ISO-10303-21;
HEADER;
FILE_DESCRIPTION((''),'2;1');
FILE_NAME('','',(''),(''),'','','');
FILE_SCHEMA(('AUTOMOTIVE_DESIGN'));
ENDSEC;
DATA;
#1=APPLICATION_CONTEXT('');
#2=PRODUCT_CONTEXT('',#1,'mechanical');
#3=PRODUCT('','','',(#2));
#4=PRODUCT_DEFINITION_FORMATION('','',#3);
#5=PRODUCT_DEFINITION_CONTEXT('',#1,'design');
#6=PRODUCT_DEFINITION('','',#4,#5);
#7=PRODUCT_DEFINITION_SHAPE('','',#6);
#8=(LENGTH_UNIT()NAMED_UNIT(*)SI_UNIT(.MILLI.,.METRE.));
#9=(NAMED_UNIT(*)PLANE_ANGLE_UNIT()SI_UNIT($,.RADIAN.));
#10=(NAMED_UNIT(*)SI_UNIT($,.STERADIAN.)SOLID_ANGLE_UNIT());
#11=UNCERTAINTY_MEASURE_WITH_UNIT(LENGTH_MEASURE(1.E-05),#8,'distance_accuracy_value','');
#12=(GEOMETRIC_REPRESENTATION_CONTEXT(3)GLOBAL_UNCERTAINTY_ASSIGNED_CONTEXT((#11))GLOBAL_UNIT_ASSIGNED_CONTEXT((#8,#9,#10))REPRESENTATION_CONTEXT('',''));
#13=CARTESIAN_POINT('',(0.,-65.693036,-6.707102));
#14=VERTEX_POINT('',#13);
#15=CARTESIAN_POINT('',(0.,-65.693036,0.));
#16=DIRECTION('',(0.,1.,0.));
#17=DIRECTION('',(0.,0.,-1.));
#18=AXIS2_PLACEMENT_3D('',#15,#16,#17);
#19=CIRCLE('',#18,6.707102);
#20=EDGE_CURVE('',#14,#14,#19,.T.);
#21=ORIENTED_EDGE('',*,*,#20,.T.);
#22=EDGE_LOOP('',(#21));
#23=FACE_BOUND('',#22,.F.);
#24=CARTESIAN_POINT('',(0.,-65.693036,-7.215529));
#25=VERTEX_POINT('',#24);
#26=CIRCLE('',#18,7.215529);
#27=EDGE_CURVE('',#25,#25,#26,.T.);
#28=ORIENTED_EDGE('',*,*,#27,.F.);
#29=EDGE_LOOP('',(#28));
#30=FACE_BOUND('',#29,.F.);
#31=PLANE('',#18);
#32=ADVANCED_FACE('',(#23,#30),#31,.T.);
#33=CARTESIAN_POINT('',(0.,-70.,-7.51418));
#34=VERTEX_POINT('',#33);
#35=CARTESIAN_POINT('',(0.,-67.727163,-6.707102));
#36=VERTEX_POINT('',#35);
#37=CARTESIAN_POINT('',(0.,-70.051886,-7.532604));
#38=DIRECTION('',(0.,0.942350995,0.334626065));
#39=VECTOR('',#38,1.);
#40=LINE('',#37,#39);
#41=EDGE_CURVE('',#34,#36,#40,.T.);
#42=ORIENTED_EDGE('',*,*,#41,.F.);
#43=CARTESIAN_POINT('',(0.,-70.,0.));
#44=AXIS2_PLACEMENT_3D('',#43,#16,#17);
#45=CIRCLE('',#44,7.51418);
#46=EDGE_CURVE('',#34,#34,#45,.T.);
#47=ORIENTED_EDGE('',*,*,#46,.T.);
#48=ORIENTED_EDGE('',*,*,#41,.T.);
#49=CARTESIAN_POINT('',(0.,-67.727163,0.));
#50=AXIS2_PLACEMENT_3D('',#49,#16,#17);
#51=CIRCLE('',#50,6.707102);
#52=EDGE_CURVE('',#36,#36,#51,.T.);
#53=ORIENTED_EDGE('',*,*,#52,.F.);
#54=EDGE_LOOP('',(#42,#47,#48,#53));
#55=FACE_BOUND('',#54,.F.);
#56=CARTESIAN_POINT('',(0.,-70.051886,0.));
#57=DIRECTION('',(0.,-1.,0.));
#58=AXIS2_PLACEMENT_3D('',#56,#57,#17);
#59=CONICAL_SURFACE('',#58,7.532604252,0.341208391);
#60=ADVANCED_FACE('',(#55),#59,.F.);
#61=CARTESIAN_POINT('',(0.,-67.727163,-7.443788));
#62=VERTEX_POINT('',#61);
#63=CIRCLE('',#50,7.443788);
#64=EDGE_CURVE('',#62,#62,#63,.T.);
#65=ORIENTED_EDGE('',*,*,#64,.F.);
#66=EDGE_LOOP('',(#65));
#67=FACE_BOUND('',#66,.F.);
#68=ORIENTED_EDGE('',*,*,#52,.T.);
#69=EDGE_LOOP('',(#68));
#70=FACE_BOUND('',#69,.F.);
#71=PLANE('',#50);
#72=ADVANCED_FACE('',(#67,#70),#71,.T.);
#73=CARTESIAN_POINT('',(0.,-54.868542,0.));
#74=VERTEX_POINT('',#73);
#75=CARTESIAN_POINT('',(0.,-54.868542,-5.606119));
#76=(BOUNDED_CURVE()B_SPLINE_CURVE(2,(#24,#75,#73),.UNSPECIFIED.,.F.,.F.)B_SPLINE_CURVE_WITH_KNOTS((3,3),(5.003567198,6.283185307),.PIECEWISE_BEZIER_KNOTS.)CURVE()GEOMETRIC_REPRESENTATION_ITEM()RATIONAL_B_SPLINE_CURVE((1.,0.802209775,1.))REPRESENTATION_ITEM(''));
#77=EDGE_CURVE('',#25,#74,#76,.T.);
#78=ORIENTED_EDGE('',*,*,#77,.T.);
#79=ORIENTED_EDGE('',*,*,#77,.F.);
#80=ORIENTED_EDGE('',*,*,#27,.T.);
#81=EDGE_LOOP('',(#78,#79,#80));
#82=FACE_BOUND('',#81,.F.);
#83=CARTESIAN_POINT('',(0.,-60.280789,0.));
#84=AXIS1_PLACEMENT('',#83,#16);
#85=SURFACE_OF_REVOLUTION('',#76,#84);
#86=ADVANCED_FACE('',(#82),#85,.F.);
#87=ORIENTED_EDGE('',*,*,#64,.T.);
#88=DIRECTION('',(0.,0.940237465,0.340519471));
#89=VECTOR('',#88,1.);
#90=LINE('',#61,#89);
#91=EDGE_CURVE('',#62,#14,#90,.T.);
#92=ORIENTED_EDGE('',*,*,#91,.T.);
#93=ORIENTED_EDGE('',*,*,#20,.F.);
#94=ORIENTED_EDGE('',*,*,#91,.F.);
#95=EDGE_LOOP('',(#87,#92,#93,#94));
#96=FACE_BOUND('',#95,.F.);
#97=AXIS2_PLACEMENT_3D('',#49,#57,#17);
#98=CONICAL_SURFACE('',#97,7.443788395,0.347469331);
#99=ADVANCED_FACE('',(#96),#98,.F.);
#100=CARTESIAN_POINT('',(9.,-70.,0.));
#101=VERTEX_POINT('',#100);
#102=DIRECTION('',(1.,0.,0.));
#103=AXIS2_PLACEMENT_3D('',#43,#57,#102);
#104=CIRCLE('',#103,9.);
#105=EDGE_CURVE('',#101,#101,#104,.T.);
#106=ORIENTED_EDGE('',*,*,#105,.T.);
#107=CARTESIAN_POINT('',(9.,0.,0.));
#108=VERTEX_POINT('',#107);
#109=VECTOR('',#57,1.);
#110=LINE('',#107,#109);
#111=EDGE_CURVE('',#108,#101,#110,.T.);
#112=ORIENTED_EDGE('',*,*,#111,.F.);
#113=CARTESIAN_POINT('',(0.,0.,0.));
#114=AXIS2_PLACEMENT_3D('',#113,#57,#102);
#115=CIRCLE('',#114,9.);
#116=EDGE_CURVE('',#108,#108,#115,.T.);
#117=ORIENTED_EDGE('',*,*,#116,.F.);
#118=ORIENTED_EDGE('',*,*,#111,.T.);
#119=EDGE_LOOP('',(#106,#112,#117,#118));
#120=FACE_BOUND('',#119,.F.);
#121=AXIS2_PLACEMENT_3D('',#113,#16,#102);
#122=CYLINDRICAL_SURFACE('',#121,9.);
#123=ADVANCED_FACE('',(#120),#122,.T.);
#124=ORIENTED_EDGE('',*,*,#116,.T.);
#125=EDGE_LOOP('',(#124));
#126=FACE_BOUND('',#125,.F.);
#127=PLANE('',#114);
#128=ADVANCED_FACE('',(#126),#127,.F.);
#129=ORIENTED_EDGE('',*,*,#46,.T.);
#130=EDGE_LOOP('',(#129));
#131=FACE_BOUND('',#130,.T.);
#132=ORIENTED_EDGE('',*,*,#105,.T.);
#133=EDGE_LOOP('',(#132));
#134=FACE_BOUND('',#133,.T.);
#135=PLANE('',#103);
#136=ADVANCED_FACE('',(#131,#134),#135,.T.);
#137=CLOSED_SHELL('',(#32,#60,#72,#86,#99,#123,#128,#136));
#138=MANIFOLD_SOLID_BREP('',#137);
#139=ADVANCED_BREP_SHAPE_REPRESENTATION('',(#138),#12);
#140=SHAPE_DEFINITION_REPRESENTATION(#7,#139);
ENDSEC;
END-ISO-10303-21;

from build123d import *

# Parameters (mm, degrees)
F0_R     = 9
F1_DEPTH = 70


with BuildPart() as f1:
    # F0 (on Front) → F1 (new body)
    with BuildSketch(Plane.XZ):
        Circle(F0_R)
    extrude(amount=F1_DEPTH)

    # F2 (on Right) → F3 (revolve, cut)
    with BuildSketch(Plane.YZ):
        with BuildLine():
            Line((-65.6930357218, -6.7071020603), (-65.6930357218, -7.2155290418))
            add(Edge.make_bspline(
                [(-65.6930357218, -7.2155290418), (-54.8685416579, -5.6061186379), (-54.8685416579, 0)],
                knots=[5.0035671981, 5.0035671981, 5.0035671981, 6.2831853072, 6.2831853072, 6.2831853072], degree=2, weights=[1, 0.802209775, 1]))
            Line((-54.8685416579, 0), (-65.6930357218, 0))
            Line((-65.6930357218, 0), (-67.727163434, 0))
            Line((-67.727163434, 0), (-70.0518861413, 0))
            Line((-70.0518861413, 0), (-70.0518861413, -7.5326042516))
            Line((-70.0518861413, -7.5326042516), (-67.727163434, -6.7071020603))
            Line((-67.727163434, -6.7071020603), (-67.727163434, -7.443788395))
            Line((-67.727163434, -7.443788395), (-65.6930357218, -6.7071020603))
        make_face()
    revolve(axis=Axis((0, -60.2807886899, 0), (0, 1, 0)), mode=Mode.SUBTRACT)


solid = f1.part
